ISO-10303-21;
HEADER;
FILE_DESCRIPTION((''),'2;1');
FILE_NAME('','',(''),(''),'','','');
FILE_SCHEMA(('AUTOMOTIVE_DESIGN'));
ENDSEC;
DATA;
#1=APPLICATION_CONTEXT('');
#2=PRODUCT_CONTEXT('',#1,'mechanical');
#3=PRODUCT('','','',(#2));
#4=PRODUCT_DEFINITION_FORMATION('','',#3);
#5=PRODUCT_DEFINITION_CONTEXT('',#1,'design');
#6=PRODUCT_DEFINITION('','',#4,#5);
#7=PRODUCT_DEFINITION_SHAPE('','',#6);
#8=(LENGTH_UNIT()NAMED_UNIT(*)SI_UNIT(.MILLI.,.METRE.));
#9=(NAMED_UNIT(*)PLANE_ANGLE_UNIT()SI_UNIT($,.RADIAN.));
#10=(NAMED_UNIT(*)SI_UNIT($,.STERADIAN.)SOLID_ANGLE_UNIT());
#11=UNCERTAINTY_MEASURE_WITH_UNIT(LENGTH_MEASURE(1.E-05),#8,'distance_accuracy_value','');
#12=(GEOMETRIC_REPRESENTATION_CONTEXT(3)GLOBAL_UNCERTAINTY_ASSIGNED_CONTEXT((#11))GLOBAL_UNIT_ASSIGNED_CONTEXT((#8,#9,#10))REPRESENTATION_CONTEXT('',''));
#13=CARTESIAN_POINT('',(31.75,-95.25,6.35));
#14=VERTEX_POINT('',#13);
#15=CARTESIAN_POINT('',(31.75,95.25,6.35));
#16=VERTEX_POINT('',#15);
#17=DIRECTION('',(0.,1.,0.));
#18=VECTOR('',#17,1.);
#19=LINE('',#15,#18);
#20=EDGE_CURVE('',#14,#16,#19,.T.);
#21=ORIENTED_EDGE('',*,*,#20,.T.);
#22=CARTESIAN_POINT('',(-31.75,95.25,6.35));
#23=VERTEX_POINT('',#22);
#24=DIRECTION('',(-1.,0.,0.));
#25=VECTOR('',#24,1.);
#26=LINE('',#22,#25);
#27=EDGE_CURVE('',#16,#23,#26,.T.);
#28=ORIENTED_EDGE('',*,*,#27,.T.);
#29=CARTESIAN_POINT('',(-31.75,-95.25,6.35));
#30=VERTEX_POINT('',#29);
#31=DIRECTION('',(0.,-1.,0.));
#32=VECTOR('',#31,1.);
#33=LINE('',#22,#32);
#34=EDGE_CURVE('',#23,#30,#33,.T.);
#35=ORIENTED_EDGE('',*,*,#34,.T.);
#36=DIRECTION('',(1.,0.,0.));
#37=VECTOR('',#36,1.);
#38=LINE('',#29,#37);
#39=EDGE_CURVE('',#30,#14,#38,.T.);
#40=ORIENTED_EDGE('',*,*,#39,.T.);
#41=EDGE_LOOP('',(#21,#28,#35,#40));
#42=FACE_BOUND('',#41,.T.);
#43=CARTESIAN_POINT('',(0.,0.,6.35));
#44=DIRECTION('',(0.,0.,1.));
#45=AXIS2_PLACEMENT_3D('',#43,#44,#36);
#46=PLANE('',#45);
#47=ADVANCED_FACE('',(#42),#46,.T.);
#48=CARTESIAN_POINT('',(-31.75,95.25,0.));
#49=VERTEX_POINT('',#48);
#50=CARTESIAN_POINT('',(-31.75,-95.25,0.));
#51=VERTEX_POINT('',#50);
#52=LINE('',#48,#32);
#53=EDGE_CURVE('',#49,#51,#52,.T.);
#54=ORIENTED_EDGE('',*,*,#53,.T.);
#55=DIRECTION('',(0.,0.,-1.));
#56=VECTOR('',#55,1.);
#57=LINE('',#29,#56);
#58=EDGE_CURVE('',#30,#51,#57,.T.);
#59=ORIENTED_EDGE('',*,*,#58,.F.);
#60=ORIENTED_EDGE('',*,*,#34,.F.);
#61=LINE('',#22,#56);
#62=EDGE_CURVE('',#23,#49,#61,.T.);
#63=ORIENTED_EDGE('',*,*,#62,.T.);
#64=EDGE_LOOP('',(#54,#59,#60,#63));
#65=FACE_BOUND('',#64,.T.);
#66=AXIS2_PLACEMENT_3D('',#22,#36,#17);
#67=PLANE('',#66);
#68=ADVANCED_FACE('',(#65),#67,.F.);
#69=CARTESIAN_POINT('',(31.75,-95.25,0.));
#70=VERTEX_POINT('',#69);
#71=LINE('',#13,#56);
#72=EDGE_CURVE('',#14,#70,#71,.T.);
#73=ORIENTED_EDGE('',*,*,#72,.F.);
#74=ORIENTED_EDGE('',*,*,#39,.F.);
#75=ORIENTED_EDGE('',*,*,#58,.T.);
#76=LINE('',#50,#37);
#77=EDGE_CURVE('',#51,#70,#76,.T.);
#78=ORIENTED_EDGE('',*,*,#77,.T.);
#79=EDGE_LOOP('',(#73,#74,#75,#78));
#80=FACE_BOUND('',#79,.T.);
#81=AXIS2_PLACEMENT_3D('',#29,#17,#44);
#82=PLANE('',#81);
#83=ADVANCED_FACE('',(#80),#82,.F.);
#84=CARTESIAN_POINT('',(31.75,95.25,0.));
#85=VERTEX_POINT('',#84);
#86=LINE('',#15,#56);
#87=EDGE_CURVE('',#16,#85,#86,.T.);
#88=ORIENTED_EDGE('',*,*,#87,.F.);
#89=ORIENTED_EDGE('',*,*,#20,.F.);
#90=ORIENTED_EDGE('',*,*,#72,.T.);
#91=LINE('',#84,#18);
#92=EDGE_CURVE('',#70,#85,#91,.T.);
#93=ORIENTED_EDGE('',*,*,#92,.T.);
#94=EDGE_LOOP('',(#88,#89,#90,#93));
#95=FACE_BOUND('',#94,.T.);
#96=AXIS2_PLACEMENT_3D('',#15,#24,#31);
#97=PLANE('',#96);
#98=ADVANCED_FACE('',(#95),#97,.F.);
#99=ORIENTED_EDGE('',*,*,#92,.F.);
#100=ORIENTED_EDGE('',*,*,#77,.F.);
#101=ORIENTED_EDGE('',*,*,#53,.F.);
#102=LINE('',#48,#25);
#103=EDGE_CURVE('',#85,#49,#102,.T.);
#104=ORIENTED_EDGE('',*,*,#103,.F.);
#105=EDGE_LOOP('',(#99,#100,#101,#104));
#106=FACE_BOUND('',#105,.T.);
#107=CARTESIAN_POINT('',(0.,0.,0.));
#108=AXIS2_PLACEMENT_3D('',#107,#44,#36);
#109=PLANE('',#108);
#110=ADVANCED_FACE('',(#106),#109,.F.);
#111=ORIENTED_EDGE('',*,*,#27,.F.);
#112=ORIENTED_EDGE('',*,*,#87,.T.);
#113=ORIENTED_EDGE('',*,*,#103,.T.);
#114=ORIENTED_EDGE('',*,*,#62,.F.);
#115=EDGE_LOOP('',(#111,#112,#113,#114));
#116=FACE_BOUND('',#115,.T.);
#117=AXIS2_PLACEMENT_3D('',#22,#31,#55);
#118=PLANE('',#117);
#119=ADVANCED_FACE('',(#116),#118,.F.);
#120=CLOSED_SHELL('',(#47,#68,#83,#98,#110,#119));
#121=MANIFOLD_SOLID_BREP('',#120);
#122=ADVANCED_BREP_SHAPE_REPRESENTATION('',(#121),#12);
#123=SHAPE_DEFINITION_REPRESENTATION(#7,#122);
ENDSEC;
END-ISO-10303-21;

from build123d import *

# Parameters (mm, degrees)
SKETCH1_W           = 63.5
SKETCH1_H           = 190.5
BOSS_EXTRUDE1_DEPTH = 6.35


with BuildPart() as part:
    # Sketch1 → Boss-Extrude1 (new body)
    with BuildSketch(Plane.XY):
        Rectangle(SKETCH1_W, SKETCH1_H)
    extrude(amount=BOSS_EXTRUDE1_DEPTH)


solid = part.part
